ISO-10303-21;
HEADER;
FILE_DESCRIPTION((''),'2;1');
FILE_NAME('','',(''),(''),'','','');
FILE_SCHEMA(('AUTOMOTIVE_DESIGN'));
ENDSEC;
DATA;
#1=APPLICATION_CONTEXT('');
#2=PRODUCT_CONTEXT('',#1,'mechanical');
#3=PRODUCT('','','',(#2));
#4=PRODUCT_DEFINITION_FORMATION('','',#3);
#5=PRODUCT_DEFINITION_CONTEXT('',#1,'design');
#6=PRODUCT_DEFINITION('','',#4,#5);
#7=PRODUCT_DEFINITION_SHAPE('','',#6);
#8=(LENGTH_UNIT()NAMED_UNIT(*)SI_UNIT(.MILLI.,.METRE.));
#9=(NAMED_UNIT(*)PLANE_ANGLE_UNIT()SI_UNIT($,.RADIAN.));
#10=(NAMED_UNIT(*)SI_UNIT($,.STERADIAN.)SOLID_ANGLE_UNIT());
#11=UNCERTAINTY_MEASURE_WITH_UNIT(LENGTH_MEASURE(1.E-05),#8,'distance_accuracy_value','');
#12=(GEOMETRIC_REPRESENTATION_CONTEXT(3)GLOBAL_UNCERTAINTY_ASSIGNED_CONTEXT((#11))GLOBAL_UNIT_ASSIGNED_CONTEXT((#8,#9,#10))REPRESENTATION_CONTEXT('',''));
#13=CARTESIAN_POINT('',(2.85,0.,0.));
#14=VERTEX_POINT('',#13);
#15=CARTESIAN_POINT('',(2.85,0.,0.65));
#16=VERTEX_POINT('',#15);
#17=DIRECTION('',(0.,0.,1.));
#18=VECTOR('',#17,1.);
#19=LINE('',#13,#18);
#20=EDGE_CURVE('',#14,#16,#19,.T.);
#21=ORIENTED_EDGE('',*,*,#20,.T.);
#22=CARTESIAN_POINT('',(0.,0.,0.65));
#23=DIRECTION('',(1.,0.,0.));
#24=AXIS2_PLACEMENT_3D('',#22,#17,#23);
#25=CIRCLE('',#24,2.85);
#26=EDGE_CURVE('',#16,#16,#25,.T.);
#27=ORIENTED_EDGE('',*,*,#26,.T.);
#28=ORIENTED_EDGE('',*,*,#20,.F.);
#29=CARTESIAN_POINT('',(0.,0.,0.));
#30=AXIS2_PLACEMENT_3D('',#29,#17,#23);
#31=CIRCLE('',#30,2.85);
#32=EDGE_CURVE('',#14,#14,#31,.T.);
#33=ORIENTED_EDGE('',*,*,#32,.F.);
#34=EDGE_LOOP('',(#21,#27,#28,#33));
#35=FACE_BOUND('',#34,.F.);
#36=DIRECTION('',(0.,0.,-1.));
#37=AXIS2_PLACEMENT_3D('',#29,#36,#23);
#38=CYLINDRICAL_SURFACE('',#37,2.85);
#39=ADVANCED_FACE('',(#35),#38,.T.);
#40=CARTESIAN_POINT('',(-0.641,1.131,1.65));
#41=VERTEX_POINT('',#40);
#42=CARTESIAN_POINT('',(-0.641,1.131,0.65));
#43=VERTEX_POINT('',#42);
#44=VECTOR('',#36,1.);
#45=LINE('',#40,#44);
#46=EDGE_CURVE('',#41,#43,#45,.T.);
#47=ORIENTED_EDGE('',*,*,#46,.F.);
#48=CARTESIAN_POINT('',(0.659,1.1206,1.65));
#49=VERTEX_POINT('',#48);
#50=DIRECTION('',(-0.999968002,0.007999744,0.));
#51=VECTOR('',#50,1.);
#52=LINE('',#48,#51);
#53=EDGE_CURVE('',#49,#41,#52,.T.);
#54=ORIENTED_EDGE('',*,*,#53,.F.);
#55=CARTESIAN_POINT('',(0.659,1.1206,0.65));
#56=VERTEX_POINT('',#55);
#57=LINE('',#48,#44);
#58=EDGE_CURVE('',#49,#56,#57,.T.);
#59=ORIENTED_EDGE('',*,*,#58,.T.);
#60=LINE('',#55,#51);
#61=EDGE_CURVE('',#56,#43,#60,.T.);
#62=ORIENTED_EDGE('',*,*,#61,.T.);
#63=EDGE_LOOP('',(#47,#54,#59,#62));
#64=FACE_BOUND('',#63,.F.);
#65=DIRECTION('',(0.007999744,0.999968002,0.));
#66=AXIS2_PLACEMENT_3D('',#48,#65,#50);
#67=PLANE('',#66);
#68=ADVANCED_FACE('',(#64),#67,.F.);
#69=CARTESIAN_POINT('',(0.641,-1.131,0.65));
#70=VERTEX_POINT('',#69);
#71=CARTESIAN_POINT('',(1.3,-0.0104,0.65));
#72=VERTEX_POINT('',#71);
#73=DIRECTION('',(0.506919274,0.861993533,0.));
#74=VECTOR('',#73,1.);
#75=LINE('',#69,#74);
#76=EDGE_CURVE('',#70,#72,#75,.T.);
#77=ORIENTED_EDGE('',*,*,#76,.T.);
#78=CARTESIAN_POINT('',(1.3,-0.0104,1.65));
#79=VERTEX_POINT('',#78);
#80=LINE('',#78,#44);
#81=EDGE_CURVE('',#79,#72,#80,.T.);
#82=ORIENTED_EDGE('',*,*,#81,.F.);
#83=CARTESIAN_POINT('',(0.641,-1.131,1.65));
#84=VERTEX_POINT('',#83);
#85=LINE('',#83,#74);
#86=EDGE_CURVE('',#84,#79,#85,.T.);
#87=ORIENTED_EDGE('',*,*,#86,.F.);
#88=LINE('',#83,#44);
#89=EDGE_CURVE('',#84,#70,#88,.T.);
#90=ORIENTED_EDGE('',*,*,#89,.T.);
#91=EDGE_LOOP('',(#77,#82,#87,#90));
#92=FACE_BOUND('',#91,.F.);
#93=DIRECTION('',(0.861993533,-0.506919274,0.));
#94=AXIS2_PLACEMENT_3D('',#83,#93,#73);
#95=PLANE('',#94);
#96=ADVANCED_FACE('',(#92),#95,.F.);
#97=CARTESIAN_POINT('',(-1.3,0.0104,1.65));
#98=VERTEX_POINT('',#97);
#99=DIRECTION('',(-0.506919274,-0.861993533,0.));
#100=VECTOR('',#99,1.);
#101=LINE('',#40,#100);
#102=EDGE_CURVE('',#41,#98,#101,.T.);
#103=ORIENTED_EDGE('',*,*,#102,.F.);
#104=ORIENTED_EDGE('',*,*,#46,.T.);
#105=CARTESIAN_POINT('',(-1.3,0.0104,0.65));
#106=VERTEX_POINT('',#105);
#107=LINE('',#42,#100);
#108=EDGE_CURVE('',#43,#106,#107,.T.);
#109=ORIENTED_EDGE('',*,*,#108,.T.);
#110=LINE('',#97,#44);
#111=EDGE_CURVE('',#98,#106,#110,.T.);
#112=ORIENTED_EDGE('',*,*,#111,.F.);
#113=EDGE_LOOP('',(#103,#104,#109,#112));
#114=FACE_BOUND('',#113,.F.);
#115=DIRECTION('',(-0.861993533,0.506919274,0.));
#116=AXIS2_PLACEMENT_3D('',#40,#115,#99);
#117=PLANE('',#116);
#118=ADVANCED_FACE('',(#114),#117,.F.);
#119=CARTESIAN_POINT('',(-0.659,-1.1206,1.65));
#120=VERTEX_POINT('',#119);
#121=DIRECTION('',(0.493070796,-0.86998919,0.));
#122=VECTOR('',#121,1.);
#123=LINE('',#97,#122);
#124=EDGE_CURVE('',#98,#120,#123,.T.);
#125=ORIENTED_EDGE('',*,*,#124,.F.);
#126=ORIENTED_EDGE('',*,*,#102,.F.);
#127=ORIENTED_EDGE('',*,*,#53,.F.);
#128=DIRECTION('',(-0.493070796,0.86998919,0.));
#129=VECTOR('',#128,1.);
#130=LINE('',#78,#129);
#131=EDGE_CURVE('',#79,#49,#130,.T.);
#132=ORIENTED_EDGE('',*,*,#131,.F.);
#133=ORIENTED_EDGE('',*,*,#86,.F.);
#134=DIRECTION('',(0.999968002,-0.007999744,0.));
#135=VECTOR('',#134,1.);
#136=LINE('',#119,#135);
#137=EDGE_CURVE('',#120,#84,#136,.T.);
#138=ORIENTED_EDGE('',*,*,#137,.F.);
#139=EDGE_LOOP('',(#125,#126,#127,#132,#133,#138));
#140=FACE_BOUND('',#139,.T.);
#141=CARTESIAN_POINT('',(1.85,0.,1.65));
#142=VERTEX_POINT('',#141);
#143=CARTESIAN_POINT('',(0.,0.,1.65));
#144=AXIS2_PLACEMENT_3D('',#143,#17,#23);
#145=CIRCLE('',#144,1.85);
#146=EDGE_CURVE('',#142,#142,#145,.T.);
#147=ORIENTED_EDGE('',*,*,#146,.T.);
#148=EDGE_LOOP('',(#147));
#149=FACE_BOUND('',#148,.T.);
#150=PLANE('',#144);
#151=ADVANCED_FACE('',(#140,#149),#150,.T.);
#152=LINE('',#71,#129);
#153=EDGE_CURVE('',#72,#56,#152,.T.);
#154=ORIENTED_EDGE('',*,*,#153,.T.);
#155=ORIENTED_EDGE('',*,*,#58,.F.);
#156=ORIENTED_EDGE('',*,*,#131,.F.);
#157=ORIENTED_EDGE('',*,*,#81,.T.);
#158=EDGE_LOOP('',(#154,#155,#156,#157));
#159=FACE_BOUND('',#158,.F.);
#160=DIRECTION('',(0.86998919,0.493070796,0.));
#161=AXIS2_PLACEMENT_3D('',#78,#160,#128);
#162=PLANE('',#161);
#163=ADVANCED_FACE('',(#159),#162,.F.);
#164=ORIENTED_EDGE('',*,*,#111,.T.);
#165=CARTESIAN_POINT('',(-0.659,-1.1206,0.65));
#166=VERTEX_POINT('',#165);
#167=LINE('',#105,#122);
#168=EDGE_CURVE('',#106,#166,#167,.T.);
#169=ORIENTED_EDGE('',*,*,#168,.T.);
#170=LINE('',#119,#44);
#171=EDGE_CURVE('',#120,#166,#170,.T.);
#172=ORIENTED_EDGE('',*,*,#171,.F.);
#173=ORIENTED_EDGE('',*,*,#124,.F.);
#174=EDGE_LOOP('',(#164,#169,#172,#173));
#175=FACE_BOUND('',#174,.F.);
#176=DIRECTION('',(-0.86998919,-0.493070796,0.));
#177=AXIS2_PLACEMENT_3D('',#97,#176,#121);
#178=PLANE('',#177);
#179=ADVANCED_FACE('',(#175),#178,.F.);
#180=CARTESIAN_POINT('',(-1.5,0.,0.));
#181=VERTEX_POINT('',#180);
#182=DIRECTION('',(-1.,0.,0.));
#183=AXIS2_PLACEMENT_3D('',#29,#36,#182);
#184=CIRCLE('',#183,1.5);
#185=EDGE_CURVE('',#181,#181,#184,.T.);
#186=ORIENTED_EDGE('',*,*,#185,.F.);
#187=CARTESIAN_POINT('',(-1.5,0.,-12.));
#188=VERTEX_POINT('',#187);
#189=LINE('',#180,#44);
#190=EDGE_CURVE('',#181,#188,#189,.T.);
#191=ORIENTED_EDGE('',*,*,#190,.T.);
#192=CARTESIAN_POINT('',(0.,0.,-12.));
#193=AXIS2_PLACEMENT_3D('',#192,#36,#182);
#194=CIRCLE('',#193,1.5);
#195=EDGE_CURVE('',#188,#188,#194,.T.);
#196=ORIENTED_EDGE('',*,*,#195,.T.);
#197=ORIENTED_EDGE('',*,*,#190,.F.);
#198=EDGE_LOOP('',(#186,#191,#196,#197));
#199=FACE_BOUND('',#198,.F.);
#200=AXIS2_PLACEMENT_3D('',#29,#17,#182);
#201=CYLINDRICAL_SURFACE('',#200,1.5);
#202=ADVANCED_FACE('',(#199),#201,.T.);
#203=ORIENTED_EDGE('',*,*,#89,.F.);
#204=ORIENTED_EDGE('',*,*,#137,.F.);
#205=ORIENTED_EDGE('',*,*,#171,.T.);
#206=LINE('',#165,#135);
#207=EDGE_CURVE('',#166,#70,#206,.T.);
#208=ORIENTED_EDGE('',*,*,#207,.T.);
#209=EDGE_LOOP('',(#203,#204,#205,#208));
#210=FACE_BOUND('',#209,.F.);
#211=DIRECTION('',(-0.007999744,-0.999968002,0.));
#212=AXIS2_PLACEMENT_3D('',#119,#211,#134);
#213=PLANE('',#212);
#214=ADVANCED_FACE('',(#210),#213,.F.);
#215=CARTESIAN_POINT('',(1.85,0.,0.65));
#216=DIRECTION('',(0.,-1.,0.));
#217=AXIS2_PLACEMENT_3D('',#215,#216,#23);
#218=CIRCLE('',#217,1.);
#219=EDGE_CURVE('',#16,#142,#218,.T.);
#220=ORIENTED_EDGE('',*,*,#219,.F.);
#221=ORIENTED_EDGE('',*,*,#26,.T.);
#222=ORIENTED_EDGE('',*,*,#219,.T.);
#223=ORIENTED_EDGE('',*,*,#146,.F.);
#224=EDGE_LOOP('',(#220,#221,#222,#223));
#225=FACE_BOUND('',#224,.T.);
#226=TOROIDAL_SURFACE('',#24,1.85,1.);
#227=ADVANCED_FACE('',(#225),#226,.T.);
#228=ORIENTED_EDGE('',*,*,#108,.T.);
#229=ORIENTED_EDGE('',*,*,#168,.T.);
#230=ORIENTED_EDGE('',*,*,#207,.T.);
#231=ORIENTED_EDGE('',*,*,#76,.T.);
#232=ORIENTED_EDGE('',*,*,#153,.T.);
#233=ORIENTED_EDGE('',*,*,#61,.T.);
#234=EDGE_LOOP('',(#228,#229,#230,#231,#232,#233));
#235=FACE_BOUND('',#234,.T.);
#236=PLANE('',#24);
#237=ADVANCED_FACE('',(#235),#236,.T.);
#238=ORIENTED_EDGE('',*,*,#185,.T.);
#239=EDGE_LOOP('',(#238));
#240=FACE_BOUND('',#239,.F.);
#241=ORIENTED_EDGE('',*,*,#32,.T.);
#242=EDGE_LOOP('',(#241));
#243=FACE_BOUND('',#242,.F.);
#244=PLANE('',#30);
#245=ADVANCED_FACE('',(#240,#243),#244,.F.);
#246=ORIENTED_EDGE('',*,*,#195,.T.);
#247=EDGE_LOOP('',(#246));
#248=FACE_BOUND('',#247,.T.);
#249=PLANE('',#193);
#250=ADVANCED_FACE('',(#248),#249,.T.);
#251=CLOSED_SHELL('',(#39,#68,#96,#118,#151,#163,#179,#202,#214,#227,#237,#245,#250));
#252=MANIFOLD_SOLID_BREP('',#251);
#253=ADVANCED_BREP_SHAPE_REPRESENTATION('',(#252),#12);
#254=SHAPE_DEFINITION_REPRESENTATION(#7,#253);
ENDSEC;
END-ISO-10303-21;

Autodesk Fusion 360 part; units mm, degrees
sketch "Sketch1" plane through (0, 0, 0) normal (0, 0, 1) x (1, 0, 0)
  circle A0 centre (0, 0) radius 2.85
  dimension "d1" = 5.7
extrude "Extrude1" add sketch "Sketch1" along normal blind 1.65
fillet "Fillet1" radius 1 1 edges at (-2.6571, -1.0306, 1.65)
sketch "Sketch2" plane through (0, 0, 1.65) normal (0, 0, 1) x (1, 0, 0)
  circle A0 centre (0, 0) radius 1.85
  line L0 (-0.641, 1.131) -> (-1.3, 0.0104)
  line L1 (-1.3, 0.0104) -> (-0.659, -1.1206)
  line L2 (-0.659, -1.1206) -> (0.641, -1.131)
  line L3 (0.641, -1.131) -> (1.3, -0.0104)
  line L4 (1.3, -0.0104) -> (0.659, 1.1206)
  line L5 (0.659, 1.1206) -> (-0.641, 1.131)
  dimension "d6" = 1.3
extrude "Extrude2" cut sketch "Sketch2" against normal blind 1 contours L0 L1 L2 L3 L4 L5
sketch "Sketch3" plane through (0, 0, 0) normal (0, 0, -1) x (-1, 0, 0)
  circle A0 centre (0, 0) radius 2.85
  circle A1 centre (0, 0) radius 1.5
  dimension "d9" = 3
extrude "Extrude3" add sketch "Sketch3" along normal blind 12 contours A1
